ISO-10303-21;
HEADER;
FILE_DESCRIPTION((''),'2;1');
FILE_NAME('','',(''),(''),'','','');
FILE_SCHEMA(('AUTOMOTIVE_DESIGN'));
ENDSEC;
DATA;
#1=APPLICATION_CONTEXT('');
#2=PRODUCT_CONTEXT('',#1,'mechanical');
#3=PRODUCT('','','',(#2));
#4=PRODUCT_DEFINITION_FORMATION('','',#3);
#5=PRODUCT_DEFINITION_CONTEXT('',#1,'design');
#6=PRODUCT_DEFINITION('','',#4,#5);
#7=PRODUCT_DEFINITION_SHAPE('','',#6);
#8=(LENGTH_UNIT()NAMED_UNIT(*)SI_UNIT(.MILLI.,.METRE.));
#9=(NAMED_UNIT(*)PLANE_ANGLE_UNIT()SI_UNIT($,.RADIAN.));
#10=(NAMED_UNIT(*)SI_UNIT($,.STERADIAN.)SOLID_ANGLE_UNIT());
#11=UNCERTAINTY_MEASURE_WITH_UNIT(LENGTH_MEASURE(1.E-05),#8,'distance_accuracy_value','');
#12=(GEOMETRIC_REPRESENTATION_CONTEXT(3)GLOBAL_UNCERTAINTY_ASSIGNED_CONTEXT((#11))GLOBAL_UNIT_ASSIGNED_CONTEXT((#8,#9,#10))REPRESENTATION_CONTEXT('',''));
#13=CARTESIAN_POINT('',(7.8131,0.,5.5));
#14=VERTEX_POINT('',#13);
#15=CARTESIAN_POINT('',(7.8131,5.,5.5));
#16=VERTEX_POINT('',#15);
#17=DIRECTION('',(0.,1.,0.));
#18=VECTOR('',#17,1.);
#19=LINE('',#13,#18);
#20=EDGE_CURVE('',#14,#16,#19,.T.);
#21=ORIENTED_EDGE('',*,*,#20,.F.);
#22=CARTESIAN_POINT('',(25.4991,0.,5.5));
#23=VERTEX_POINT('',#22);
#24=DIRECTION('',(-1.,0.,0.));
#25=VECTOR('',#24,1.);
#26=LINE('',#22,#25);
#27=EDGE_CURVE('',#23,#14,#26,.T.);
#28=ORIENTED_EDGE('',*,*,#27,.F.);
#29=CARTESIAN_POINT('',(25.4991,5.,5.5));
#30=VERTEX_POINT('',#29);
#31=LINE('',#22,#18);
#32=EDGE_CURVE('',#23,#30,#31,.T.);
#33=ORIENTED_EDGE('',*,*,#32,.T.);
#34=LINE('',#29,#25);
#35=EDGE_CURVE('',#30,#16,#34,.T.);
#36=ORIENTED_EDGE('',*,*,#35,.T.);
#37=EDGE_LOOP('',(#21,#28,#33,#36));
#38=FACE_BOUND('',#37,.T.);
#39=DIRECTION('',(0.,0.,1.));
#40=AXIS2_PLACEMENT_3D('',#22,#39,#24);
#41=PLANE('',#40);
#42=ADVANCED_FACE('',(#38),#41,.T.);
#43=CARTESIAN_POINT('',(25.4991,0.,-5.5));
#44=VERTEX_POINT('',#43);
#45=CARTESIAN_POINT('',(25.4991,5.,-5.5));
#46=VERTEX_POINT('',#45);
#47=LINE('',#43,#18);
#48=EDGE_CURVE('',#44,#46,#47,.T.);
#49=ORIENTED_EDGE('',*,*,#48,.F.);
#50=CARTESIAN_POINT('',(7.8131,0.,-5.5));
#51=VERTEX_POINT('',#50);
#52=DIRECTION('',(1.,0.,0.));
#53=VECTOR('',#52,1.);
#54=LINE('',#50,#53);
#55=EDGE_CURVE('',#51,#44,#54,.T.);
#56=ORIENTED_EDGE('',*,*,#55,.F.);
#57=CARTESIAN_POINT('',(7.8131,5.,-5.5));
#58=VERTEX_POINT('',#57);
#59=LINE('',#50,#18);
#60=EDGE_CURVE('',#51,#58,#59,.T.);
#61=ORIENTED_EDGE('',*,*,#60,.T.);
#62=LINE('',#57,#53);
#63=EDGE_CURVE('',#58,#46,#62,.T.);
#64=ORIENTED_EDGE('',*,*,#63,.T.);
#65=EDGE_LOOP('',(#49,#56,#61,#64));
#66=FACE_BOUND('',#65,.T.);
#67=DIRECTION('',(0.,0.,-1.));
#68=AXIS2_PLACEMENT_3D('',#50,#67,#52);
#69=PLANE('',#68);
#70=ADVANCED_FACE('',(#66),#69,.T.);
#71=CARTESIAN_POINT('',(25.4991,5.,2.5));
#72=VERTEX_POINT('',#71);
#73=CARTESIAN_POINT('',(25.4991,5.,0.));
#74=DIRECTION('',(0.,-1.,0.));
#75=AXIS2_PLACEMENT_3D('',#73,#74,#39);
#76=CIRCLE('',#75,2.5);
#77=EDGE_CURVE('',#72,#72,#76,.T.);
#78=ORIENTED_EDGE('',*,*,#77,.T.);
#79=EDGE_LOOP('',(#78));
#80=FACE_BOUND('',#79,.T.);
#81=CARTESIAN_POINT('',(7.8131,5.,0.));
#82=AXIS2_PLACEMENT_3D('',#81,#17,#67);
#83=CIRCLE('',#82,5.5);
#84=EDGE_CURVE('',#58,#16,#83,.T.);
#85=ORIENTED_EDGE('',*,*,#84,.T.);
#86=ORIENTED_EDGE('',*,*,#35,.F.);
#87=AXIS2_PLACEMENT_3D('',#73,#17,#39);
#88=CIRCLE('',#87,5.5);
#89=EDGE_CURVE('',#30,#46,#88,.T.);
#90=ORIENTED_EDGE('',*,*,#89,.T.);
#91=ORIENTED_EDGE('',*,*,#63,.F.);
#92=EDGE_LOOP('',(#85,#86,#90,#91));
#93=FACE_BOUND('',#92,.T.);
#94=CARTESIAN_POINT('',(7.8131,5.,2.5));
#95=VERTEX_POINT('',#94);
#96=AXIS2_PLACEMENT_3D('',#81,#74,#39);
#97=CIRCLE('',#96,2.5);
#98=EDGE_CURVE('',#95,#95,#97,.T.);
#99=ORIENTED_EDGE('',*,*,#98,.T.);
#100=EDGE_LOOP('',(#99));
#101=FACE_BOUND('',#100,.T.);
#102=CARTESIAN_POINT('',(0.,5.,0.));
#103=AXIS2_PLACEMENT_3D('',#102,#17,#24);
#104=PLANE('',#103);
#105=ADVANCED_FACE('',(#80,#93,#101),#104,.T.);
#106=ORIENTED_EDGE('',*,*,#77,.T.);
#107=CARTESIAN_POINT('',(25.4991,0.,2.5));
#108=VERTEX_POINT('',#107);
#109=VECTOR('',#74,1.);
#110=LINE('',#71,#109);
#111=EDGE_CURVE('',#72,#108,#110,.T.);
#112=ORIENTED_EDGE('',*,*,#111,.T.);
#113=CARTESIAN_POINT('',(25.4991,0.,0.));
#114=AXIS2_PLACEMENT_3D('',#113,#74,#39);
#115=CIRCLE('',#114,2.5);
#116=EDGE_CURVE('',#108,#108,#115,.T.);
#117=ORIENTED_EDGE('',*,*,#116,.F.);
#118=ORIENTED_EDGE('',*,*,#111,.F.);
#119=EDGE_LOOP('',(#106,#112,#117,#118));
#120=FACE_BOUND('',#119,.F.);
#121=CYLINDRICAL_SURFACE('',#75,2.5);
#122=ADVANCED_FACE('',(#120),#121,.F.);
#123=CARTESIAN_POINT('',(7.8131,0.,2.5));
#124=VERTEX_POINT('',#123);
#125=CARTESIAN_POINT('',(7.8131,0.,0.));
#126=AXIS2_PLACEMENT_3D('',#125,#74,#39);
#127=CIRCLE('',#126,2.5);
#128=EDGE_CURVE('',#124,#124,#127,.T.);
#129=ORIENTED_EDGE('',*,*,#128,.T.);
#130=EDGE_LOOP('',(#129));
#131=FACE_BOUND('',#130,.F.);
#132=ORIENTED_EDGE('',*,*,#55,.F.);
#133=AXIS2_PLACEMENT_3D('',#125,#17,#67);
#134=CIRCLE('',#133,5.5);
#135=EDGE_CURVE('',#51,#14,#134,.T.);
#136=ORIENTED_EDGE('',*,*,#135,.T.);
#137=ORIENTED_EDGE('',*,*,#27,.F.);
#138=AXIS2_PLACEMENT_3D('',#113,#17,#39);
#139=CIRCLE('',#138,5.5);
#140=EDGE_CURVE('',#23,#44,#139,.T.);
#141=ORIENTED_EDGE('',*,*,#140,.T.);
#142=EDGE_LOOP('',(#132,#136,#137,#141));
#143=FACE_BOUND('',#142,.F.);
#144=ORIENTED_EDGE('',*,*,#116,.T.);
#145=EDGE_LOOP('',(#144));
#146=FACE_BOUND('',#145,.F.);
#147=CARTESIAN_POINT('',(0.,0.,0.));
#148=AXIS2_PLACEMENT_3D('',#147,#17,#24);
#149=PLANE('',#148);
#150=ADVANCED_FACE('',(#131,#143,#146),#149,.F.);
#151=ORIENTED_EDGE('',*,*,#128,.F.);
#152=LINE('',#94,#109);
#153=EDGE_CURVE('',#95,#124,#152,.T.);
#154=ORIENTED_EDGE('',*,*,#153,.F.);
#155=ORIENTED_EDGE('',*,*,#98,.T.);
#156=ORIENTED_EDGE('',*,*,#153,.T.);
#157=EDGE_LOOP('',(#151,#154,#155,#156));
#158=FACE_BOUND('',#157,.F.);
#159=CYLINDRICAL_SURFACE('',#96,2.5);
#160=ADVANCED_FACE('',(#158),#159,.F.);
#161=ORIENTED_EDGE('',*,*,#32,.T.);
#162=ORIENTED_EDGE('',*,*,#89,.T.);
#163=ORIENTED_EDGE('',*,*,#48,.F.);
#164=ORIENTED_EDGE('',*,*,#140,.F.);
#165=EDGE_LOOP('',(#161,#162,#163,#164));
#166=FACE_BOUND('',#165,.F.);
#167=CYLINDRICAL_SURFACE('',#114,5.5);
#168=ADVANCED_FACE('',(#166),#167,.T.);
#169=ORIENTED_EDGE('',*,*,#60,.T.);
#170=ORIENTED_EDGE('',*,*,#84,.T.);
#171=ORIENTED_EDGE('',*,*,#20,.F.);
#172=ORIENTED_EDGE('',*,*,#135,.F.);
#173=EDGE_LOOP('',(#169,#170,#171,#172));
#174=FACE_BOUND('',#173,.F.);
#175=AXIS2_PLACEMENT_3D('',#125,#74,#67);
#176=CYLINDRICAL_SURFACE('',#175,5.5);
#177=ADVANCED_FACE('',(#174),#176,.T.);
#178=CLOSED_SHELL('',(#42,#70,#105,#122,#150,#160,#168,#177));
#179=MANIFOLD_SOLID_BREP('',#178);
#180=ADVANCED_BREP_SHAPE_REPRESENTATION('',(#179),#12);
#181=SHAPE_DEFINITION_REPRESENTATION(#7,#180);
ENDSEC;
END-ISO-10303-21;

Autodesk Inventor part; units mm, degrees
ref_plane "YZ Plane" through (0, 0, 0) normal (1, 0, 0) x (0, 1, 0)
ref_plane "XZ Plane" through (0, 0, 0) normal (0, 1, 0) x (-1, 0, 0)
ref_plane "XY Plane" through (0, 0, 0) normal (0, 0, 1) x (1, 0, 0)
sketch "Sketch1" plane through (0, 0, 0) normal (0, 1, 0) x (-1, 0, 0)
  line L0 (-7.8131, -5.5) -> (-25.4991, -5.5)
  line L1 (-25.4991, 5.5) -> (-7.8131, 5.5)
  arc A0 (-7.8131, -5.5) -> (-7.8131, 5.5) centre (-7.8131, 0) ccw
  arc A1 (-25.4991, 5.5) -> (-25.4991, -5.5) centre (-25.4991, 0) ccw
  point P0 (0, 0)
  dimension "d0" = 11
  dimension "d1" = 5.5
  dimension "d2" = 17.686
extrude "Extrusion1" add sketch "Sketch1" along normal blind 5
sketch "Sketch2" plane through (0, 5, 0) normal (0, 1, 0) x (1, 0, 0)
  arc A0 (7.8131, 5.5) -> (7.8131, -5.5) centre (7.8131, 0) ccw projected
  arc A1 (25.4991, -5.5) -> (25.4991, 5.5) centre (25.4991, 0) ccw projected
  point P0 (0, 0)
  dimension "d5" = 0
  dimension "d6" = 0
  dimension "d7" = 0
  dimension "d8" = 0
hole "Hole1" at (7.8131, 5, 0) at (25.4991, 5, 0) direction (0, -1, 0) diameter 5 end through all
equation "\"d1\" = 0.5 * d0"
properties part number "holder3_l3" material "Steel, Galvanized"
